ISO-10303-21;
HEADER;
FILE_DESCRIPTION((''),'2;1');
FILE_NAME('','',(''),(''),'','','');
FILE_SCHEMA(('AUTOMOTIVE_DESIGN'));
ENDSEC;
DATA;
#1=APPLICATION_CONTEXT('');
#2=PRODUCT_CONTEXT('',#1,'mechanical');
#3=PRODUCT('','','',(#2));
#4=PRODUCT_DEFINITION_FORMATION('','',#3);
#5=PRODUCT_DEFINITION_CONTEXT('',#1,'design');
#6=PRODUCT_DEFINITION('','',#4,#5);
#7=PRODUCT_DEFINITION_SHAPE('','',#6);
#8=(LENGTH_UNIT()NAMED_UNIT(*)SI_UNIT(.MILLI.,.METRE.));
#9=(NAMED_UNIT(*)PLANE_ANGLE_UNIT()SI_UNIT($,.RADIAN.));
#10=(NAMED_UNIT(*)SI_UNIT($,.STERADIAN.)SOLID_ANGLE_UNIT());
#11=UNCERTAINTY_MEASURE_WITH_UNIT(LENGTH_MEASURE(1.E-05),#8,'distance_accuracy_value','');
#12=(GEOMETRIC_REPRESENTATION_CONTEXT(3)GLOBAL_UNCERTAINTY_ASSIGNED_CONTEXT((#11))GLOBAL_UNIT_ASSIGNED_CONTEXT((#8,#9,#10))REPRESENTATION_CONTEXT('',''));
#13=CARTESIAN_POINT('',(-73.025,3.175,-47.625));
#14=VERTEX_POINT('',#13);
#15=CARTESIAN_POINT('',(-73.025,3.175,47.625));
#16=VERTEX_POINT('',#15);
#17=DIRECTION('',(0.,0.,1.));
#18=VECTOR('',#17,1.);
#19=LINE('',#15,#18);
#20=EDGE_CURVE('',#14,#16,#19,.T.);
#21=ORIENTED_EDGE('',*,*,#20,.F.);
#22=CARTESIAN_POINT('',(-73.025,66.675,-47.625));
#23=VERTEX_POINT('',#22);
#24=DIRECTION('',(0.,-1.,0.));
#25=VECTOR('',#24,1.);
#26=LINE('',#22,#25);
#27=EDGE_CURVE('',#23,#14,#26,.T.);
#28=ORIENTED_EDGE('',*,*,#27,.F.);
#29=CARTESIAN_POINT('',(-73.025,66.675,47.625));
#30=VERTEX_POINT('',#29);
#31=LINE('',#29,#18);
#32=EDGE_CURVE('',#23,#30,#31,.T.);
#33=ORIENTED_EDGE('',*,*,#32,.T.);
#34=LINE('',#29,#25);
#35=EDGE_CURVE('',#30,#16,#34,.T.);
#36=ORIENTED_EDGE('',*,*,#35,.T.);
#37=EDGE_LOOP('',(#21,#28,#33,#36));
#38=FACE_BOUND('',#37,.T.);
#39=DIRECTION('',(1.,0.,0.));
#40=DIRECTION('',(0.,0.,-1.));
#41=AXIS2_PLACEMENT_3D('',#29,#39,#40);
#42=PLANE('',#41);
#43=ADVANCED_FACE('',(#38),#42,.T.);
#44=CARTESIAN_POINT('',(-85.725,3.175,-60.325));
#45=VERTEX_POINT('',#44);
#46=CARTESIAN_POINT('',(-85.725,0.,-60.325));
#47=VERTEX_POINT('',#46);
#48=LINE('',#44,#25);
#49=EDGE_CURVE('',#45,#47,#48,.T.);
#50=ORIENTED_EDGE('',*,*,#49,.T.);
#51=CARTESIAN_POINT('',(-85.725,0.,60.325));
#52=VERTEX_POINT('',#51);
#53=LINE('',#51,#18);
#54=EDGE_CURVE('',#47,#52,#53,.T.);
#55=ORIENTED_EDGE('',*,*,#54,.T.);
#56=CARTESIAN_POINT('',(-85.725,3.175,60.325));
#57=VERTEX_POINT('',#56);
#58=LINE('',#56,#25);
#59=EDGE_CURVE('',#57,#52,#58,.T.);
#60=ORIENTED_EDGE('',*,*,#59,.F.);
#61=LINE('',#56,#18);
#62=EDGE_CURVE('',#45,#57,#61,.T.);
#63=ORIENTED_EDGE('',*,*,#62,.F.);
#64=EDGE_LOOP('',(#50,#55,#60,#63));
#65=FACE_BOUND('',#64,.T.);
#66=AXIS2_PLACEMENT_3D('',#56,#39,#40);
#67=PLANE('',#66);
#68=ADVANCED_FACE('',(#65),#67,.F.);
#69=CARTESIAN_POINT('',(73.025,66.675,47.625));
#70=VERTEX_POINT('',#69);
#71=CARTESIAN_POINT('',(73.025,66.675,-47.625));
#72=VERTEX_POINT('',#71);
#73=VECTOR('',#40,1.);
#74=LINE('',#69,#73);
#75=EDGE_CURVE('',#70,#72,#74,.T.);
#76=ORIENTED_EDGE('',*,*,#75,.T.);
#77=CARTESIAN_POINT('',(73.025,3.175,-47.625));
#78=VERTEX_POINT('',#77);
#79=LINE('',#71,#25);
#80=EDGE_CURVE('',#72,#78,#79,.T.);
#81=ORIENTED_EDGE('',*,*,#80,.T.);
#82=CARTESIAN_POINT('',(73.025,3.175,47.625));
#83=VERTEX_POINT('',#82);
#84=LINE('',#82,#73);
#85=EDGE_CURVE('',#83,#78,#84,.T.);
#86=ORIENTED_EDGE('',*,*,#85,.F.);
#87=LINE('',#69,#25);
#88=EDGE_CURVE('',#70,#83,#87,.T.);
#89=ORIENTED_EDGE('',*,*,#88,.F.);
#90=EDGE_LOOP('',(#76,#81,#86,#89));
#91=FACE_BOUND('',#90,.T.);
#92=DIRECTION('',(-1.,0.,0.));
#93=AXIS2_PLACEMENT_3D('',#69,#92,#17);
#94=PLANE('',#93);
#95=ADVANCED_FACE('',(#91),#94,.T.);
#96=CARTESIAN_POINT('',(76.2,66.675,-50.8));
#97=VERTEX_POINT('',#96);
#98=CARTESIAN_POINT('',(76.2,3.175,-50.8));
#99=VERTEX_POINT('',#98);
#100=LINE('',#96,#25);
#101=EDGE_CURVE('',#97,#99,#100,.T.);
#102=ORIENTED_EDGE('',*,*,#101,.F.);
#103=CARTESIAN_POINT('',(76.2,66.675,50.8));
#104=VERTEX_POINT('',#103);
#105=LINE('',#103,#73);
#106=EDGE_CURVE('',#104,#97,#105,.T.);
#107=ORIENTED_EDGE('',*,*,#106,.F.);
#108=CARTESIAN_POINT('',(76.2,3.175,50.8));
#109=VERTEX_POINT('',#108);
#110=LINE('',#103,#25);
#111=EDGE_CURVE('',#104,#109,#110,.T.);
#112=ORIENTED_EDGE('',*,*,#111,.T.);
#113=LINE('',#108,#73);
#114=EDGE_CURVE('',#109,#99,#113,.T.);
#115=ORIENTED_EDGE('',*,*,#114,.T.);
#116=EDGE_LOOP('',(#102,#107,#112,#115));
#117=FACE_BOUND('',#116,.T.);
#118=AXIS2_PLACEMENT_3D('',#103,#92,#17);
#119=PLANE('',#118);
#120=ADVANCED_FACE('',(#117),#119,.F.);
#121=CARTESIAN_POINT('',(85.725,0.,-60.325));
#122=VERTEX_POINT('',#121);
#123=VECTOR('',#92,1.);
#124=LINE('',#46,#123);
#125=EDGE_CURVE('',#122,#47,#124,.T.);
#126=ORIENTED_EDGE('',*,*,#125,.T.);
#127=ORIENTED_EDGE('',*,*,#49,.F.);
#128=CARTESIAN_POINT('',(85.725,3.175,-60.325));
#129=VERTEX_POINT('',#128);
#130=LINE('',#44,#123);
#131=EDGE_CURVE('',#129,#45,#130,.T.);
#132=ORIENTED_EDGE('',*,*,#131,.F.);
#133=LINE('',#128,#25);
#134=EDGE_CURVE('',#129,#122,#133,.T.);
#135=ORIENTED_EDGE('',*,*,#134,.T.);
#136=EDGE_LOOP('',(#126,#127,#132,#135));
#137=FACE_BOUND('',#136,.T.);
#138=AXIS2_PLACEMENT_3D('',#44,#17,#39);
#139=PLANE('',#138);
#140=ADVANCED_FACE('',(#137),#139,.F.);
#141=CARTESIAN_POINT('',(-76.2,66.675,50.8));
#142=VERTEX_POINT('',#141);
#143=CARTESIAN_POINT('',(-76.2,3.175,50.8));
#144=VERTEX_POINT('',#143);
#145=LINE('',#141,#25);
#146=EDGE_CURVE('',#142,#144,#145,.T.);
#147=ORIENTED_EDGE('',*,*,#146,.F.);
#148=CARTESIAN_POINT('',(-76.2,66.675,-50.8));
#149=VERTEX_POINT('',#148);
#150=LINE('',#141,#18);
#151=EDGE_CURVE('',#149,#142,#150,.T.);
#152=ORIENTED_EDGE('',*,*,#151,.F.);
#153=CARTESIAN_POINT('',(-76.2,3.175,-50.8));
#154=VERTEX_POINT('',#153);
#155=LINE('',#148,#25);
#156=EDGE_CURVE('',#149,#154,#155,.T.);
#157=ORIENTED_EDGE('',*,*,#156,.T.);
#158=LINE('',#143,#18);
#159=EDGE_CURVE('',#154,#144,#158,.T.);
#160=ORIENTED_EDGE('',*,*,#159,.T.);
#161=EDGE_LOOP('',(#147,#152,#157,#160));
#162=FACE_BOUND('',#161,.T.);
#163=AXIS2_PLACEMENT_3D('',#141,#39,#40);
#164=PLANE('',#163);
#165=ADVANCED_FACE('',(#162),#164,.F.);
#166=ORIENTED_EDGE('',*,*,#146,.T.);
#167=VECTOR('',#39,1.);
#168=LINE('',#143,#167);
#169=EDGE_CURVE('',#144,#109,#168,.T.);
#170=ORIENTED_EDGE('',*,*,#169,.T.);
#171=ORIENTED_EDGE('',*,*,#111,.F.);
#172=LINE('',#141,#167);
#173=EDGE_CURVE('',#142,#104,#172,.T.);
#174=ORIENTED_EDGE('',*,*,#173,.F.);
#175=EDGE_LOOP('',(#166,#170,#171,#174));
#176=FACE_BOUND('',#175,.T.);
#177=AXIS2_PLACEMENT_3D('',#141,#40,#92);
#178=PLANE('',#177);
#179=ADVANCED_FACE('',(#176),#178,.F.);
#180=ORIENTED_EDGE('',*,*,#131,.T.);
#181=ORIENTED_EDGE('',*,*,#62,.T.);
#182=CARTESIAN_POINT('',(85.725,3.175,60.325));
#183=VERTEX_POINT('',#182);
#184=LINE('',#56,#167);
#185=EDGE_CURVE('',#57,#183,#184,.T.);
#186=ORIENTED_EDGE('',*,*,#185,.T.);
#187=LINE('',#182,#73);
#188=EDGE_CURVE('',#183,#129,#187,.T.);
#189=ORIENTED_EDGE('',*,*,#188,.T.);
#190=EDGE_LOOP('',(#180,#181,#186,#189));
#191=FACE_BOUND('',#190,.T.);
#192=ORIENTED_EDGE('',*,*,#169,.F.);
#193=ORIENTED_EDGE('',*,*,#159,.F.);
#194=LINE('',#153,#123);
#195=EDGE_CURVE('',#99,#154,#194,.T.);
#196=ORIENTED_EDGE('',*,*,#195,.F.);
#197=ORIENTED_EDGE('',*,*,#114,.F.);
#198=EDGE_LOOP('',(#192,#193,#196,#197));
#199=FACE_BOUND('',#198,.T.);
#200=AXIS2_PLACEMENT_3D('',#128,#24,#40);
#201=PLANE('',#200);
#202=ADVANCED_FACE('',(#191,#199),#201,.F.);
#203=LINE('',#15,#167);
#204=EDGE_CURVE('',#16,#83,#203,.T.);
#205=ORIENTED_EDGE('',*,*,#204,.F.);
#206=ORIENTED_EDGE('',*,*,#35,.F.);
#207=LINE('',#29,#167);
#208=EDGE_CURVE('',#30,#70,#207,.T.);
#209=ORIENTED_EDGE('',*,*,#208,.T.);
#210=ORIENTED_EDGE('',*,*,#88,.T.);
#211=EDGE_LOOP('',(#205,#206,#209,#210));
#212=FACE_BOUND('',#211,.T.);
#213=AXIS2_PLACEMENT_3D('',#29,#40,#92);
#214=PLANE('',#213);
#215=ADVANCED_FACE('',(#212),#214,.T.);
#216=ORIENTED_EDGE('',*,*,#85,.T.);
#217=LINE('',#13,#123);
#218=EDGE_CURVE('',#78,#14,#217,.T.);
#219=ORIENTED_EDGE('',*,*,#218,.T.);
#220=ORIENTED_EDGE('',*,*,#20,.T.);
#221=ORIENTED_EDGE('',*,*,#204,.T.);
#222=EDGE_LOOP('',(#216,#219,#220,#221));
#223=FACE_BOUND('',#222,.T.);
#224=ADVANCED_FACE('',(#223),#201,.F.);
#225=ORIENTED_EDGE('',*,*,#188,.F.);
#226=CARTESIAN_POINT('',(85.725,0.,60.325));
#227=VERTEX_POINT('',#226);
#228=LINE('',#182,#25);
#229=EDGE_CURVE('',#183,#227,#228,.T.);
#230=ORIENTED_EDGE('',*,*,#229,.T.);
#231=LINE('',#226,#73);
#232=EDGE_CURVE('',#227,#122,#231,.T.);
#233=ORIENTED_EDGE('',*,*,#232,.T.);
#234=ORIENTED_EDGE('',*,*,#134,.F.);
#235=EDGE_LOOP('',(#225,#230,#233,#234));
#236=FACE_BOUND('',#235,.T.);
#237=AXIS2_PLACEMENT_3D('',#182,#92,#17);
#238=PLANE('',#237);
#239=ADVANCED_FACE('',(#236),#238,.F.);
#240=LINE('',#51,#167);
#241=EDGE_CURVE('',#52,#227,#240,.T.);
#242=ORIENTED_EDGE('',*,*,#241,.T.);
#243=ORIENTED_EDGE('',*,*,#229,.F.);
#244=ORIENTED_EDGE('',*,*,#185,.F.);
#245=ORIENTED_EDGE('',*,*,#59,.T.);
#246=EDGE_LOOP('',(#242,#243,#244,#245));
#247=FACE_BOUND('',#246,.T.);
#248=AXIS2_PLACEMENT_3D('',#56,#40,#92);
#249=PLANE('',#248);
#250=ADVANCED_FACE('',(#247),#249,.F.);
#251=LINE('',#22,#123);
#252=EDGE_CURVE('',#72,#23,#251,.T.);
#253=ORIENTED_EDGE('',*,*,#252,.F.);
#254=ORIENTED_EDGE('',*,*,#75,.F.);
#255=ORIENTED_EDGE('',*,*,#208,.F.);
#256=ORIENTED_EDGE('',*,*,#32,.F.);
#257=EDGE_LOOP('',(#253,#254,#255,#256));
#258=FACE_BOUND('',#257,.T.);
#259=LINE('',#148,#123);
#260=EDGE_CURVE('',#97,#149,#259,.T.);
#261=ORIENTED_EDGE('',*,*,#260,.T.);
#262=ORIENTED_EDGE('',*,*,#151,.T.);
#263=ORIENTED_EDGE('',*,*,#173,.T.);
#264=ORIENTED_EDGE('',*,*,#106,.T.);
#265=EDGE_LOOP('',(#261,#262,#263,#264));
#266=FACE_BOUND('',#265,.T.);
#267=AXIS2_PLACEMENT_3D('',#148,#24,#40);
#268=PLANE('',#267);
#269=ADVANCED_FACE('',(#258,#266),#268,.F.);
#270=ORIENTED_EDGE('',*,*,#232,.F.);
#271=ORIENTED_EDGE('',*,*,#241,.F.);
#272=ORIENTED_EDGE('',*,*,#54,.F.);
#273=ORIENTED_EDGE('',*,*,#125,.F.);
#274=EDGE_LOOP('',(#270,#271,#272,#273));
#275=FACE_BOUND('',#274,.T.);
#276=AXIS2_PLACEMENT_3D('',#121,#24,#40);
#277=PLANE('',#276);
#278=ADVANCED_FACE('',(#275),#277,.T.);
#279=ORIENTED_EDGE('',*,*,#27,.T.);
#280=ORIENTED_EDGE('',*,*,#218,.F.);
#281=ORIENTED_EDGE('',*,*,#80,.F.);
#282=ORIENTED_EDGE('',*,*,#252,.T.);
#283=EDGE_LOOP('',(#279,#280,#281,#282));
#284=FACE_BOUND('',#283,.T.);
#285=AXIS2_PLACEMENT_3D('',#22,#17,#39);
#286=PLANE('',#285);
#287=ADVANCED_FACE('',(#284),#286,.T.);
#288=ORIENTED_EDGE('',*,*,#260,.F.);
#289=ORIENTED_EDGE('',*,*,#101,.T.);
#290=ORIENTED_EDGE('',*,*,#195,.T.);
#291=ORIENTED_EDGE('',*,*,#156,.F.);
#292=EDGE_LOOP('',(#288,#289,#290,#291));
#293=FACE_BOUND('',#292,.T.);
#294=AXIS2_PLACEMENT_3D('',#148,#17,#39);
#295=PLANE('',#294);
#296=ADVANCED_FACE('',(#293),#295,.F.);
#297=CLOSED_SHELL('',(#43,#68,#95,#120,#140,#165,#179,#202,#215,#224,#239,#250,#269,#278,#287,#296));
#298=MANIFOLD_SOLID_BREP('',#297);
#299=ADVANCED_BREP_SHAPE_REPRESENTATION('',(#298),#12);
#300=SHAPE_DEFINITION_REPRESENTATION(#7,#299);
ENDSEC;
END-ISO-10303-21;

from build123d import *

# Parameters (mm, degrees)
SKETCH1_W           = 171.45
SKETCH1_H           = 120.65
BOSS_EXTRUDE1_DEPTH = 3.175
SKETCH2_W           = 152.4
SKETCH2_H           = 101.6
SKETCH2_W_2         = 146.05
SKETCH2_H_2         = 95.25
BOSS_EXTRUDE2_DEPTH = 63.5


with BuildPart() as part:
    # Sketch1 → Boss-Extrude1 (new body)
    with BuildSketch(Plane(origin=(0, 0, 0), x_dir=(1, 0, 0), z_dir=(0, 1, 0))):
        Rectangle(SKETCH1_W, SKETCH1_H)
    extrude(amount=BOSS_EXTRUDE1_DEPTH)

    # Sketch2 → Boss-Extrude2 (add)
    with BuildSketch(Plane(origin=(0, 3.175, 0), x_dir=(1, 0, 0), z_dir=(0, 1, 0))):
        Rectangle(SKETCH2_W, SKETCH2_H)
        Rectangle(SKETCH2_W_2, SKETCH2_H_2, mode=Mode.SUBTRACT)
    extrude(amount=BOSS_EXTRUDE2_DEPTH)


solid = part.part
